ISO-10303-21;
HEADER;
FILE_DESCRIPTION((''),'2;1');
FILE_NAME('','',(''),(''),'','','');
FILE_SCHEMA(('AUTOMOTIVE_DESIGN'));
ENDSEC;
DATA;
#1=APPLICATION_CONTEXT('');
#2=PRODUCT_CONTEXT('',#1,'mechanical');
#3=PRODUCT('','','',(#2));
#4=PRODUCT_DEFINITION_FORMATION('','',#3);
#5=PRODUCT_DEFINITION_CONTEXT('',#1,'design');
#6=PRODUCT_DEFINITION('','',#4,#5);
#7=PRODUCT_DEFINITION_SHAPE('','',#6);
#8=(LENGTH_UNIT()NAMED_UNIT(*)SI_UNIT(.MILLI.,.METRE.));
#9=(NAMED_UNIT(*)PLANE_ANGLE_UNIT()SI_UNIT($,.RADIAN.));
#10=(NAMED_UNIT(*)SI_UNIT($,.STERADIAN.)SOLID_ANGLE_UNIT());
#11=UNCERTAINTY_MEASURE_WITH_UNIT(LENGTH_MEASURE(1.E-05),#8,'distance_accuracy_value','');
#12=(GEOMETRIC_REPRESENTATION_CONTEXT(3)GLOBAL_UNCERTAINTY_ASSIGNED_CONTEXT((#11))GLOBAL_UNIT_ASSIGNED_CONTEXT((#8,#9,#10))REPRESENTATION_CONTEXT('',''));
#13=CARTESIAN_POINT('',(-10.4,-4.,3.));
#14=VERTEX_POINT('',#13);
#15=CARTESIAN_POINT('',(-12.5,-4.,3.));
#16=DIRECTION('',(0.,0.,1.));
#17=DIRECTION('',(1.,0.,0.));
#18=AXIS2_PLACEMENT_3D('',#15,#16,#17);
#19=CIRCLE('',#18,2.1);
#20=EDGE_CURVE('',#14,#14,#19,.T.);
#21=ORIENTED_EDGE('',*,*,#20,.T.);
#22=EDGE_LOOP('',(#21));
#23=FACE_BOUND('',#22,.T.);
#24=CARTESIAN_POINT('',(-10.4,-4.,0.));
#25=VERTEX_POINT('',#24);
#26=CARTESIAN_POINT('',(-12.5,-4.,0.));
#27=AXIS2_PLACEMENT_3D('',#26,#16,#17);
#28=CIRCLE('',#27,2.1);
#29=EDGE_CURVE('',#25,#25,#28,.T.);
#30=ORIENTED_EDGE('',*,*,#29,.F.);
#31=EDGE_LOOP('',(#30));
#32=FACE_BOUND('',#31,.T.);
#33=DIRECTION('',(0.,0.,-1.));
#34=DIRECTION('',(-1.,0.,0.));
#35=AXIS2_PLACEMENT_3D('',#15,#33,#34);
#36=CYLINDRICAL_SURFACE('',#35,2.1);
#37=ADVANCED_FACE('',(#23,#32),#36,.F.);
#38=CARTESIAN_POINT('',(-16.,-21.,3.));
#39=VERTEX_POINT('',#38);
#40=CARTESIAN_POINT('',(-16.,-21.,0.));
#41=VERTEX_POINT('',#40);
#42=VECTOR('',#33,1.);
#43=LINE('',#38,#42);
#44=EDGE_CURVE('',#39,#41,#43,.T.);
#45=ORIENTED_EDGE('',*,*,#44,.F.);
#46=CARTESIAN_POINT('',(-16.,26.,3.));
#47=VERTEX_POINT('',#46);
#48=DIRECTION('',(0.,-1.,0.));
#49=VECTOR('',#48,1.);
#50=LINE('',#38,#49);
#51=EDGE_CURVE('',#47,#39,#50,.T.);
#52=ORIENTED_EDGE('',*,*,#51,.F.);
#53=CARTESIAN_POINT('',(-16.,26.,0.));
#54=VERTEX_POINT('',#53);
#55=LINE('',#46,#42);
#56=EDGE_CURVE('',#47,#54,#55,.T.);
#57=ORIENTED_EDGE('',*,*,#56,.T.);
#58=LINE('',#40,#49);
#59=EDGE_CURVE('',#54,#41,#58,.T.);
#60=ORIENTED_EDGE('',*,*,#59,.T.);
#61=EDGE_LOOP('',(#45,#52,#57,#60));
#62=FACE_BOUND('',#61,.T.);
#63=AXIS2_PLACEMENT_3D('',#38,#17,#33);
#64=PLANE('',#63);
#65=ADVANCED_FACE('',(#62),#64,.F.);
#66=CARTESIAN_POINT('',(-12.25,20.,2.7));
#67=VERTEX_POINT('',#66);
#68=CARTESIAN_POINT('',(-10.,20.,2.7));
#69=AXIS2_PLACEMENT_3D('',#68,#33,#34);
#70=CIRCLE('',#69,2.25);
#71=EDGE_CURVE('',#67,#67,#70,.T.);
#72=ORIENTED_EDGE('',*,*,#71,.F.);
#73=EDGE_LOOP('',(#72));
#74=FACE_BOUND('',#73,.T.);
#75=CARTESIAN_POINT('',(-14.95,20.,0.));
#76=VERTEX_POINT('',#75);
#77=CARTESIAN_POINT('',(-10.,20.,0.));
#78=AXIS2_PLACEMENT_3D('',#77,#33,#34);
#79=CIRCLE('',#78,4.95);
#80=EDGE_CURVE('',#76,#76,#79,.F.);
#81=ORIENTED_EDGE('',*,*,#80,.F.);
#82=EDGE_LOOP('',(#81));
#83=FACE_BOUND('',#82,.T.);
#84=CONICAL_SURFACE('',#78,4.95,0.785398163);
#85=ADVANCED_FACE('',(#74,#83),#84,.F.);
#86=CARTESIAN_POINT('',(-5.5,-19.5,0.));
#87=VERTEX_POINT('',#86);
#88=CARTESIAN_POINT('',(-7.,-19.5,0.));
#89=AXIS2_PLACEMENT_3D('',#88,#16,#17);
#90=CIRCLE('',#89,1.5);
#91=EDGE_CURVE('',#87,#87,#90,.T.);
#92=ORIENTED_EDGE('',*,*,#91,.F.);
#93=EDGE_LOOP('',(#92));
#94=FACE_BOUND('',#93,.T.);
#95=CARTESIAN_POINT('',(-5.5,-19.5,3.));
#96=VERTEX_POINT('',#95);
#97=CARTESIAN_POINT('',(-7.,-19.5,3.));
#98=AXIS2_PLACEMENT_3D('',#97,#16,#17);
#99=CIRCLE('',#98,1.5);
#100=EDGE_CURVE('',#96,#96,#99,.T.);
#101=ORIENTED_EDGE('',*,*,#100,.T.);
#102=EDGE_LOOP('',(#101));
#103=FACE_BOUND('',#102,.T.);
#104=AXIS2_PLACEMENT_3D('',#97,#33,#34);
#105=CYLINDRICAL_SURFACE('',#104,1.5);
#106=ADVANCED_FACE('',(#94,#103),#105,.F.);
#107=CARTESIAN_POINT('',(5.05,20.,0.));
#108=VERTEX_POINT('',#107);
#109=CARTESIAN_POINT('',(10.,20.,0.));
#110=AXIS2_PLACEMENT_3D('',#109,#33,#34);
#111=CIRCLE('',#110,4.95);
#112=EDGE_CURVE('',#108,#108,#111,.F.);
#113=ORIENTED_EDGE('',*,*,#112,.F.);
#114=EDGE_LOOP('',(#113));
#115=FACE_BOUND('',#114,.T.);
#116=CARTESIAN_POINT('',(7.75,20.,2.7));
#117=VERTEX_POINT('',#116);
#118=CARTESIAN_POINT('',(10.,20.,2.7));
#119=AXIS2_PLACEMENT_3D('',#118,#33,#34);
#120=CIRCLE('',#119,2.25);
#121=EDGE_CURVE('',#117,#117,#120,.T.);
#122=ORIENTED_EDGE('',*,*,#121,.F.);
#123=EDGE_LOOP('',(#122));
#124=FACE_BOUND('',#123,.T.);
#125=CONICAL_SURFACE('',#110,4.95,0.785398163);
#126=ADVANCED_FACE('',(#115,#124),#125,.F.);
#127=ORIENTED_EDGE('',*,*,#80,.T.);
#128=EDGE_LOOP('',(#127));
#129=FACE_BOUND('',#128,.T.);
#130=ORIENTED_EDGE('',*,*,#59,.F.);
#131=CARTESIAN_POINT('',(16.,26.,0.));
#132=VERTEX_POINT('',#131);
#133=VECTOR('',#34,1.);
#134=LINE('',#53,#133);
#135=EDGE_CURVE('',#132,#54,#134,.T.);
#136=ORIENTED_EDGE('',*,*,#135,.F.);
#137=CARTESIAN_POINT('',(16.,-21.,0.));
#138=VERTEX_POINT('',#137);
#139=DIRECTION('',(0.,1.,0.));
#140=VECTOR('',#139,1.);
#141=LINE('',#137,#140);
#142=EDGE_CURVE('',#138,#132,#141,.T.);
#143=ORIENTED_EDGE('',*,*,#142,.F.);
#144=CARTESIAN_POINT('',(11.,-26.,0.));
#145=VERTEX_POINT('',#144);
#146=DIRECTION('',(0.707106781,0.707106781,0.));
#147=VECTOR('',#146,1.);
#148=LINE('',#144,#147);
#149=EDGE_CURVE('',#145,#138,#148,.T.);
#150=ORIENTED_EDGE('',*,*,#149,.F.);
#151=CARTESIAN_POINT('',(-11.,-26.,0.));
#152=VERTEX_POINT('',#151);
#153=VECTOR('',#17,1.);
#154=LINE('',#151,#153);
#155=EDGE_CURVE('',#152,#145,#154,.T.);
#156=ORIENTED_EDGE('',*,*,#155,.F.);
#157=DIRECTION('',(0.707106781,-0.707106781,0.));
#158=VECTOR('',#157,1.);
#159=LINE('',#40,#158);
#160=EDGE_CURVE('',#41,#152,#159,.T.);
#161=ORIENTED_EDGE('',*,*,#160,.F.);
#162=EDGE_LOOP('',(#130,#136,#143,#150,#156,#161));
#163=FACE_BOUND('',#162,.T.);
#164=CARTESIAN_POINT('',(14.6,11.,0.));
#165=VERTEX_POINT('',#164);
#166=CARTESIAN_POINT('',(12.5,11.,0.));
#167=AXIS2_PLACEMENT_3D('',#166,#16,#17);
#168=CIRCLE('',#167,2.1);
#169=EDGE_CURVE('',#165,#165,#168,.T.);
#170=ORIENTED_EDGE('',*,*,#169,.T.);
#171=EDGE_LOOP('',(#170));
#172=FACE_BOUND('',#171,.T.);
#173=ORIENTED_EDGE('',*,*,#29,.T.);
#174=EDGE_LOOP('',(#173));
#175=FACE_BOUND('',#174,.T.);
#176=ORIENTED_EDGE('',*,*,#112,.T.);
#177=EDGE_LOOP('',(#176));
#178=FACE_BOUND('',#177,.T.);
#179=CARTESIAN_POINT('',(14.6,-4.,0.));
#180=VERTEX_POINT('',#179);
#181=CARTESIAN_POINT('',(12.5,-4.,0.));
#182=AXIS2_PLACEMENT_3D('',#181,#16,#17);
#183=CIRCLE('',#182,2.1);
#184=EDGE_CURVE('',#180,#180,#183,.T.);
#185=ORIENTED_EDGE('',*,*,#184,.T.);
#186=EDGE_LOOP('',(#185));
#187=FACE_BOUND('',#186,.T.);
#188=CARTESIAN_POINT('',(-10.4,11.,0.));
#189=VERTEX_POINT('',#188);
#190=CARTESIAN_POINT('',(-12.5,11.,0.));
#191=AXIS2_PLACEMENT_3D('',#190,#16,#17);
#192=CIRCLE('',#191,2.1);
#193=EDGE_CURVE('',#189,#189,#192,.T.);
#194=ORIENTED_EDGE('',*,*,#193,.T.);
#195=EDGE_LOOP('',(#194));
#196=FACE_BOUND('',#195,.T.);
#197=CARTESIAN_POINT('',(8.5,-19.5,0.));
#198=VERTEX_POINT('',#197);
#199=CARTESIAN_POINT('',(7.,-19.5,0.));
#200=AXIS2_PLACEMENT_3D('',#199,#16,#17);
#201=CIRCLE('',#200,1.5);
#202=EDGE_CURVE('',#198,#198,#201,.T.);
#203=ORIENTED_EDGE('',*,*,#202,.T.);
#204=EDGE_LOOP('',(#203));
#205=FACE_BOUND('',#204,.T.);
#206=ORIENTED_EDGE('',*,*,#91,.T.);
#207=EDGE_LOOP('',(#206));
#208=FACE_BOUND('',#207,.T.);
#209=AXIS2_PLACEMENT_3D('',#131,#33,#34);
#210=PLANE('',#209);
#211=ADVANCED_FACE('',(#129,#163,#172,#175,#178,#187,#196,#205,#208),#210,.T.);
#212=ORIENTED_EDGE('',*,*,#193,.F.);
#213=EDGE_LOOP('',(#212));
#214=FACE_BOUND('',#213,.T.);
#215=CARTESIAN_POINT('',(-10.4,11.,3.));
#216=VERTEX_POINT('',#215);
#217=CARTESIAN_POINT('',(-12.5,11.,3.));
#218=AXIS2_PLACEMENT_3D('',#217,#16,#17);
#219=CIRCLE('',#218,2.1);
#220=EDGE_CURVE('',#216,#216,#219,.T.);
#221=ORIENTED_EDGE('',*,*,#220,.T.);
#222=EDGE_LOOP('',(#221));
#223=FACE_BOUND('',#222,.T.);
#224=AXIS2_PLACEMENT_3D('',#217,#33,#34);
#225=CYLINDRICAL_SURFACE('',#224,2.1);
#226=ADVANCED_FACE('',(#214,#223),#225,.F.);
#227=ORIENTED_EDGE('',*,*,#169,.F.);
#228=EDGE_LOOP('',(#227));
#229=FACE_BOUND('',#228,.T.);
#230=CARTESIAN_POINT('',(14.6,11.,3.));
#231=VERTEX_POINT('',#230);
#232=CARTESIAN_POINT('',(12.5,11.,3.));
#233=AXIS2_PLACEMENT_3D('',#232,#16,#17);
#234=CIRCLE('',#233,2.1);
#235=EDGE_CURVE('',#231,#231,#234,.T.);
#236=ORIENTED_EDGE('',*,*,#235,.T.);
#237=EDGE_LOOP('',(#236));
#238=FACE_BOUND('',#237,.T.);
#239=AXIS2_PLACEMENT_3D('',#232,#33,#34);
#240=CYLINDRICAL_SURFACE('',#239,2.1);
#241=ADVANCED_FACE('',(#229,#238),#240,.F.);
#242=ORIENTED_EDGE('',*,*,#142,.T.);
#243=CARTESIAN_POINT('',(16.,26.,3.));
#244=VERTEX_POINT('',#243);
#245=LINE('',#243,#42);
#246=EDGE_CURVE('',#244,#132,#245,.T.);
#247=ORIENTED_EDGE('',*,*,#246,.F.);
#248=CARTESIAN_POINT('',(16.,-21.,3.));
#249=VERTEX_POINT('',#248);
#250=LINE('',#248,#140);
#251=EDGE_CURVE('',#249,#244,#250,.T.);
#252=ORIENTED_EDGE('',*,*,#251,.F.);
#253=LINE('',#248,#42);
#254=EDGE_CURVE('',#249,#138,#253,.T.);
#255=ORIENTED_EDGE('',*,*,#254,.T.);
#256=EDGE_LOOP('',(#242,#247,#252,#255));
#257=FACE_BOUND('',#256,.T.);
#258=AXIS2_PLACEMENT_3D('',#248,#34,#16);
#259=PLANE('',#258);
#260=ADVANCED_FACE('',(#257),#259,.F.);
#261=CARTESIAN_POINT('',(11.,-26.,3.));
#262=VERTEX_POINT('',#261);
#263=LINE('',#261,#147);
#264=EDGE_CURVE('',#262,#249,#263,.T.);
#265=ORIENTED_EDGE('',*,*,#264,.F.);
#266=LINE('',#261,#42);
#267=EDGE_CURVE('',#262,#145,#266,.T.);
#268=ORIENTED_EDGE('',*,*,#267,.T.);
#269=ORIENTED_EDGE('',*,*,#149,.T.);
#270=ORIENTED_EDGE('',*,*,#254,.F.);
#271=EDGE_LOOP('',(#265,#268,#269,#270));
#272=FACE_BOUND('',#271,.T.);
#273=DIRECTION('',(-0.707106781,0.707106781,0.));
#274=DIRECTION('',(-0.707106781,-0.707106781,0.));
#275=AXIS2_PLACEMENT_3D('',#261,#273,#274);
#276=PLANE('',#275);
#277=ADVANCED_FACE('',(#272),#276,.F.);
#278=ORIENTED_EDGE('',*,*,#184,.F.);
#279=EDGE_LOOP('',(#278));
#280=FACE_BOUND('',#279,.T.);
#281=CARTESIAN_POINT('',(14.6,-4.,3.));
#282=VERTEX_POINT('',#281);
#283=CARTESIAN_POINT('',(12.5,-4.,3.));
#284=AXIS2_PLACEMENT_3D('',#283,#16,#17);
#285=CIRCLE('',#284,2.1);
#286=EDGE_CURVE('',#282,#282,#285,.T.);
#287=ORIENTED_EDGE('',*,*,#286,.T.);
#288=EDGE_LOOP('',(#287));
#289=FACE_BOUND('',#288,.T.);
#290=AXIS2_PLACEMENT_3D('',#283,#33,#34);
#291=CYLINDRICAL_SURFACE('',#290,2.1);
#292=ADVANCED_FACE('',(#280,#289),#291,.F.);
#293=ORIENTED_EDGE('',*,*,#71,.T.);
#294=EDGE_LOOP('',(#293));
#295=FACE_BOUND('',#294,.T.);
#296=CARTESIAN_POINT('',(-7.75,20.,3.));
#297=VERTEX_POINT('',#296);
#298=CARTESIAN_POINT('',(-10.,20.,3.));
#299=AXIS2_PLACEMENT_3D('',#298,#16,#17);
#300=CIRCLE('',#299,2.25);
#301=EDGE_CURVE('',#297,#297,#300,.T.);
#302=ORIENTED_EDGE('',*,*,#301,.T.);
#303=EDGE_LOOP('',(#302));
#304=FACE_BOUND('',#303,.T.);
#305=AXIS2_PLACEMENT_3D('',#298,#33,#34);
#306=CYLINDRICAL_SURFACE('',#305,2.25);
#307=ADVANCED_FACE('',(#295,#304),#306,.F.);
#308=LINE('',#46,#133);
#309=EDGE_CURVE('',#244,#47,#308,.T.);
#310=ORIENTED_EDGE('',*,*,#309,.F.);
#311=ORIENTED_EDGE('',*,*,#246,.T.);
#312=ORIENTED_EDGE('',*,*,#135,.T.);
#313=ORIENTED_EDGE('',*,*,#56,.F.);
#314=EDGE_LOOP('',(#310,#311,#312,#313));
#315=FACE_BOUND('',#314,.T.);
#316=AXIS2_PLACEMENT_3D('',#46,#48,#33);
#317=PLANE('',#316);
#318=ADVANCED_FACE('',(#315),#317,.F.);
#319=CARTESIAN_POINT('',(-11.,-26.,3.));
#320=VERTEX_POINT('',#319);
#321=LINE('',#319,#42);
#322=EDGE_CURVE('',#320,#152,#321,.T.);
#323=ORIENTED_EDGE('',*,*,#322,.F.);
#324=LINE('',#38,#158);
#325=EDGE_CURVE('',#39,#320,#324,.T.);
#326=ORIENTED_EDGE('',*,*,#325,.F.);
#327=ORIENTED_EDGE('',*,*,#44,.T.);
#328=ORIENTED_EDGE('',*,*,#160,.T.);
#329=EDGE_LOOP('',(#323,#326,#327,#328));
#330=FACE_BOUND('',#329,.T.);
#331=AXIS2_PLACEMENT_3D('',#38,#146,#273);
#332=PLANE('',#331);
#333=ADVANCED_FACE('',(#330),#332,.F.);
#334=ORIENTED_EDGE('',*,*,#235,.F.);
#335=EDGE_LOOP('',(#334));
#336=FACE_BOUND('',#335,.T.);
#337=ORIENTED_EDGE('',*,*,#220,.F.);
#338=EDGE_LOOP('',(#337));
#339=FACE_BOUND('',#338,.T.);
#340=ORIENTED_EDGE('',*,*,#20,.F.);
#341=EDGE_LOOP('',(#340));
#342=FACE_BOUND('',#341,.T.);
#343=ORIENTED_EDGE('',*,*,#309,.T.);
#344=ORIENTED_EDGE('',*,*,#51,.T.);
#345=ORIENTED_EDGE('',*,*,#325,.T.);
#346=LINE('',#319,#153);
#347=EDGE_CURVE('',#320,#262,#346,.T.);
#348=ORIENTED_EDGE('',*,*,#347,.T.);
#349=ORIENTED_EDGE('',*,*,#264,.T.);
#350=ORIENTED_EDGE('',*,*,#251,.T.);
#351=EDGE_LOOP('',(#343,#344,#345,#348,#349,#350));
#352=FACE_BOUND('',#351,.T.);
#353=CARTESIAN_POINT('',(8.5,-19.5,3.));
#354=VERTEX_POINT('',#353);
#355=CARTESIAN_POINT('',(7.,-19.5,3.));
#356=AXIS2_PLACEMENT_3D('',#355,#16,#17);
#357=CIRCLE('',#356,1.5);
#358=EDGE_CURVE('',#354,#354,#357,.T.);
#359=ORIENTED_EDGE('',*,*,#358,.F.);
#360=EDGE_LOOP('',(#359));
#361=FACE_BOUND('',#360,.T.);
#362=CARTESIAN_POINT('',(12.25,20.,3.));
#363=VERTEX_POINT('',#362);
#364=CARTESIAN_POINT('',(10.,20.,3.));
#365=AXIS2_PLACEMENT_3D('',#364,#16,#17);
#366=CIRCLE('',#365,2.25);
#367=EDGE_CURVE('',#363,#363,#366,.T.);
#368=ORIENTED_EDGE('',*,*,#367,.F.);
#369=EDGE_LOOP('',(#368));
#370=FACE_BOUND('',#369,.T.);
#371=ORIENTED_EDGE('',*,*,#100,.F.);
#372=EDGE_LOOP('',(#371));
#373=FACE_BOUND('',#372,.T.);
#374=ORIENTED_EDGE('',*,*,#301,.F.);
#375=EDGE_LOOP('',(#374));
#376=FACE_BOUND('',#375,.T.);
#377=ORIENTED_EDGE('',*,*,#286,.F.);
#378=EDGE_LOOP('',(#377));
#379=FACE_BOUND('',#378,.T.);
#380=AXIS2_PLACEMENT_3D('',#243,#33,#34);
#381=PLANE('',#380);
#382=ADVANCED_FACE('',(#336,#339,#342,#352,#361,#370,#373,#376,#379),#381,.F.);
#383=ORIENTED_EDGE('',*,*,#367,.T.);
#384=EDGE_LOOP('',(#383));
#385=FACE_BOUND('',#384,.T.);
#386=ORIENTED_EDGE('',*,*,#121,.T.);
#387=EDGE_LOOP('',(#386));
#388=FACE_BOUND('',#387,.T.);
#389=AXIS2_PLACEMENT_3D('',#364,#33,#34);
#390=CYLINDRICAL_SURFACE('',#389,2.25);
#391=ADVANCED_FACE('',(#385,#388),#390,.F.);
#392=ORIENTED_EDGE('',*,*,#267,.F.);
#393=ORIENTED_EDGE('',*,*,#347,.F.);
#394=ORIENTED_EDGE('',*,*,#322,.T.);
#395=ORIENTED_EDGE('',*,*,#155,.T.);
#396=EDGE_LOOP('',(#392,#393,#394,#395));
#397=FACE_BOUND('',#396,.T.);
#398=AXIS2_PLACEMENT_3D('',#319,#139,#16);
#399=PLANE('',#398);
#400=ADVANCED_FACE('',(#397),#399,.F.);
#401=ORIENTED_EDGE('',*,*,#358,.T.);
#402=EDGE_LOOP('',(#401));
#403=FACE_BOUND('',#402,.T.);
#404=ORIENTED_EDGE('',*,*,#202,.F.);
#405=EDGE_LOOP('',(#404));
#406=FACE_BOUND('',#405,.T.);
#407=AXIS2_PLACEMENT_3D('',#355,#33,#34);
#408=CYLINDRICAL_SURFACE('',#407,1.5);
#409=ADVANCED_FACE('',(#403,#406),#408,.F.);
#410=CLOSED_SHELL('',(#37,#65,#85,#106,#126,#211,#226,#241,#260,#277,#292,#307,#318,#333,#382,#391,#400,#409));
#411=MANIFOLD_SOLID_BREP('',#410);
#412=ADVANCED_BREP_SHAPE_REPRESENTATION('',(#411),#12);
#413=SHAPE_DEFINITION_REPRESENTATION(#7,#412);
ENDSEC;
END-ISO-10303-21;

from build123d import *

# Parameters (mm, degrees)
SKETCH_1_R      = 2.1
SKETCH_1_R_2    = 1.5
SKETCH_1_R_3    = 2.25
EXTRUDE_1_DEPTH = 3
CHAMFER_2_SIZE  = 2.7
CHAMFER_3_SIZE  = 2.7


with BuildPart() as part:
    # 草图1 → 拉伸1 (new body)
    with BuildSketch(Plane.XY):
        Polygon((-16, -21), (-11, -26), (11, -26), (16, -21), (16, 26), (-16, 26), align=None)
        with Locations((-12.5, 11)):
            Circle(SKETCH_1_R, mode=Mode.SUBTRACT)
        with Locations((12.5, 11)):
            Circle(SKETCH_1_R, mode=Mode.SUBTRACT)
        with Locations((12.5, -4)):
            Circle(SKETCH_1_R, mode=Mode.SUBTRACT)
        with Locations((-12.5, -4)):
            Circle(SKETCH_1_R, mode=Mode.SUBTRACT)
        with Locations((-7, -19.5)):
            Circle(SKETCH_1_R_2, mode=Mode.SUBTRACT)
        with Locations((7, -19.5)):
            Circle(SKETCH_1_R_2, mode=Mode.SUBTRACT)
        with Locations((10, 20)):
            Circle(SKETCH_1_R_3, mode=Mode.SUBTRACT)
        with Locations((-10, 20)):
            Circle(SKETCH_1_R_3, mode=Mode.SUBTRACT)
    extrude(amount=EXTRUDE_1_DEPTH)

    # 倒角2
    chamfer_2_edges = [part.edges().sort_by_distance(p)[0] for p in [
        (7.75, 20, 0),
    ]]
    chamfer(chamfer_2_edges, length=CHAMFER_2_SIZE)

    # 倒角3
    chamfer_3_edges = [part.edges().sort_by_distance(p)[0] for p in [
        (-12.25, 20, 0),
    ]]
    chamfer(chamfer_3_edges, length=CHAMFER_3_SIZE)


solid = part.part
